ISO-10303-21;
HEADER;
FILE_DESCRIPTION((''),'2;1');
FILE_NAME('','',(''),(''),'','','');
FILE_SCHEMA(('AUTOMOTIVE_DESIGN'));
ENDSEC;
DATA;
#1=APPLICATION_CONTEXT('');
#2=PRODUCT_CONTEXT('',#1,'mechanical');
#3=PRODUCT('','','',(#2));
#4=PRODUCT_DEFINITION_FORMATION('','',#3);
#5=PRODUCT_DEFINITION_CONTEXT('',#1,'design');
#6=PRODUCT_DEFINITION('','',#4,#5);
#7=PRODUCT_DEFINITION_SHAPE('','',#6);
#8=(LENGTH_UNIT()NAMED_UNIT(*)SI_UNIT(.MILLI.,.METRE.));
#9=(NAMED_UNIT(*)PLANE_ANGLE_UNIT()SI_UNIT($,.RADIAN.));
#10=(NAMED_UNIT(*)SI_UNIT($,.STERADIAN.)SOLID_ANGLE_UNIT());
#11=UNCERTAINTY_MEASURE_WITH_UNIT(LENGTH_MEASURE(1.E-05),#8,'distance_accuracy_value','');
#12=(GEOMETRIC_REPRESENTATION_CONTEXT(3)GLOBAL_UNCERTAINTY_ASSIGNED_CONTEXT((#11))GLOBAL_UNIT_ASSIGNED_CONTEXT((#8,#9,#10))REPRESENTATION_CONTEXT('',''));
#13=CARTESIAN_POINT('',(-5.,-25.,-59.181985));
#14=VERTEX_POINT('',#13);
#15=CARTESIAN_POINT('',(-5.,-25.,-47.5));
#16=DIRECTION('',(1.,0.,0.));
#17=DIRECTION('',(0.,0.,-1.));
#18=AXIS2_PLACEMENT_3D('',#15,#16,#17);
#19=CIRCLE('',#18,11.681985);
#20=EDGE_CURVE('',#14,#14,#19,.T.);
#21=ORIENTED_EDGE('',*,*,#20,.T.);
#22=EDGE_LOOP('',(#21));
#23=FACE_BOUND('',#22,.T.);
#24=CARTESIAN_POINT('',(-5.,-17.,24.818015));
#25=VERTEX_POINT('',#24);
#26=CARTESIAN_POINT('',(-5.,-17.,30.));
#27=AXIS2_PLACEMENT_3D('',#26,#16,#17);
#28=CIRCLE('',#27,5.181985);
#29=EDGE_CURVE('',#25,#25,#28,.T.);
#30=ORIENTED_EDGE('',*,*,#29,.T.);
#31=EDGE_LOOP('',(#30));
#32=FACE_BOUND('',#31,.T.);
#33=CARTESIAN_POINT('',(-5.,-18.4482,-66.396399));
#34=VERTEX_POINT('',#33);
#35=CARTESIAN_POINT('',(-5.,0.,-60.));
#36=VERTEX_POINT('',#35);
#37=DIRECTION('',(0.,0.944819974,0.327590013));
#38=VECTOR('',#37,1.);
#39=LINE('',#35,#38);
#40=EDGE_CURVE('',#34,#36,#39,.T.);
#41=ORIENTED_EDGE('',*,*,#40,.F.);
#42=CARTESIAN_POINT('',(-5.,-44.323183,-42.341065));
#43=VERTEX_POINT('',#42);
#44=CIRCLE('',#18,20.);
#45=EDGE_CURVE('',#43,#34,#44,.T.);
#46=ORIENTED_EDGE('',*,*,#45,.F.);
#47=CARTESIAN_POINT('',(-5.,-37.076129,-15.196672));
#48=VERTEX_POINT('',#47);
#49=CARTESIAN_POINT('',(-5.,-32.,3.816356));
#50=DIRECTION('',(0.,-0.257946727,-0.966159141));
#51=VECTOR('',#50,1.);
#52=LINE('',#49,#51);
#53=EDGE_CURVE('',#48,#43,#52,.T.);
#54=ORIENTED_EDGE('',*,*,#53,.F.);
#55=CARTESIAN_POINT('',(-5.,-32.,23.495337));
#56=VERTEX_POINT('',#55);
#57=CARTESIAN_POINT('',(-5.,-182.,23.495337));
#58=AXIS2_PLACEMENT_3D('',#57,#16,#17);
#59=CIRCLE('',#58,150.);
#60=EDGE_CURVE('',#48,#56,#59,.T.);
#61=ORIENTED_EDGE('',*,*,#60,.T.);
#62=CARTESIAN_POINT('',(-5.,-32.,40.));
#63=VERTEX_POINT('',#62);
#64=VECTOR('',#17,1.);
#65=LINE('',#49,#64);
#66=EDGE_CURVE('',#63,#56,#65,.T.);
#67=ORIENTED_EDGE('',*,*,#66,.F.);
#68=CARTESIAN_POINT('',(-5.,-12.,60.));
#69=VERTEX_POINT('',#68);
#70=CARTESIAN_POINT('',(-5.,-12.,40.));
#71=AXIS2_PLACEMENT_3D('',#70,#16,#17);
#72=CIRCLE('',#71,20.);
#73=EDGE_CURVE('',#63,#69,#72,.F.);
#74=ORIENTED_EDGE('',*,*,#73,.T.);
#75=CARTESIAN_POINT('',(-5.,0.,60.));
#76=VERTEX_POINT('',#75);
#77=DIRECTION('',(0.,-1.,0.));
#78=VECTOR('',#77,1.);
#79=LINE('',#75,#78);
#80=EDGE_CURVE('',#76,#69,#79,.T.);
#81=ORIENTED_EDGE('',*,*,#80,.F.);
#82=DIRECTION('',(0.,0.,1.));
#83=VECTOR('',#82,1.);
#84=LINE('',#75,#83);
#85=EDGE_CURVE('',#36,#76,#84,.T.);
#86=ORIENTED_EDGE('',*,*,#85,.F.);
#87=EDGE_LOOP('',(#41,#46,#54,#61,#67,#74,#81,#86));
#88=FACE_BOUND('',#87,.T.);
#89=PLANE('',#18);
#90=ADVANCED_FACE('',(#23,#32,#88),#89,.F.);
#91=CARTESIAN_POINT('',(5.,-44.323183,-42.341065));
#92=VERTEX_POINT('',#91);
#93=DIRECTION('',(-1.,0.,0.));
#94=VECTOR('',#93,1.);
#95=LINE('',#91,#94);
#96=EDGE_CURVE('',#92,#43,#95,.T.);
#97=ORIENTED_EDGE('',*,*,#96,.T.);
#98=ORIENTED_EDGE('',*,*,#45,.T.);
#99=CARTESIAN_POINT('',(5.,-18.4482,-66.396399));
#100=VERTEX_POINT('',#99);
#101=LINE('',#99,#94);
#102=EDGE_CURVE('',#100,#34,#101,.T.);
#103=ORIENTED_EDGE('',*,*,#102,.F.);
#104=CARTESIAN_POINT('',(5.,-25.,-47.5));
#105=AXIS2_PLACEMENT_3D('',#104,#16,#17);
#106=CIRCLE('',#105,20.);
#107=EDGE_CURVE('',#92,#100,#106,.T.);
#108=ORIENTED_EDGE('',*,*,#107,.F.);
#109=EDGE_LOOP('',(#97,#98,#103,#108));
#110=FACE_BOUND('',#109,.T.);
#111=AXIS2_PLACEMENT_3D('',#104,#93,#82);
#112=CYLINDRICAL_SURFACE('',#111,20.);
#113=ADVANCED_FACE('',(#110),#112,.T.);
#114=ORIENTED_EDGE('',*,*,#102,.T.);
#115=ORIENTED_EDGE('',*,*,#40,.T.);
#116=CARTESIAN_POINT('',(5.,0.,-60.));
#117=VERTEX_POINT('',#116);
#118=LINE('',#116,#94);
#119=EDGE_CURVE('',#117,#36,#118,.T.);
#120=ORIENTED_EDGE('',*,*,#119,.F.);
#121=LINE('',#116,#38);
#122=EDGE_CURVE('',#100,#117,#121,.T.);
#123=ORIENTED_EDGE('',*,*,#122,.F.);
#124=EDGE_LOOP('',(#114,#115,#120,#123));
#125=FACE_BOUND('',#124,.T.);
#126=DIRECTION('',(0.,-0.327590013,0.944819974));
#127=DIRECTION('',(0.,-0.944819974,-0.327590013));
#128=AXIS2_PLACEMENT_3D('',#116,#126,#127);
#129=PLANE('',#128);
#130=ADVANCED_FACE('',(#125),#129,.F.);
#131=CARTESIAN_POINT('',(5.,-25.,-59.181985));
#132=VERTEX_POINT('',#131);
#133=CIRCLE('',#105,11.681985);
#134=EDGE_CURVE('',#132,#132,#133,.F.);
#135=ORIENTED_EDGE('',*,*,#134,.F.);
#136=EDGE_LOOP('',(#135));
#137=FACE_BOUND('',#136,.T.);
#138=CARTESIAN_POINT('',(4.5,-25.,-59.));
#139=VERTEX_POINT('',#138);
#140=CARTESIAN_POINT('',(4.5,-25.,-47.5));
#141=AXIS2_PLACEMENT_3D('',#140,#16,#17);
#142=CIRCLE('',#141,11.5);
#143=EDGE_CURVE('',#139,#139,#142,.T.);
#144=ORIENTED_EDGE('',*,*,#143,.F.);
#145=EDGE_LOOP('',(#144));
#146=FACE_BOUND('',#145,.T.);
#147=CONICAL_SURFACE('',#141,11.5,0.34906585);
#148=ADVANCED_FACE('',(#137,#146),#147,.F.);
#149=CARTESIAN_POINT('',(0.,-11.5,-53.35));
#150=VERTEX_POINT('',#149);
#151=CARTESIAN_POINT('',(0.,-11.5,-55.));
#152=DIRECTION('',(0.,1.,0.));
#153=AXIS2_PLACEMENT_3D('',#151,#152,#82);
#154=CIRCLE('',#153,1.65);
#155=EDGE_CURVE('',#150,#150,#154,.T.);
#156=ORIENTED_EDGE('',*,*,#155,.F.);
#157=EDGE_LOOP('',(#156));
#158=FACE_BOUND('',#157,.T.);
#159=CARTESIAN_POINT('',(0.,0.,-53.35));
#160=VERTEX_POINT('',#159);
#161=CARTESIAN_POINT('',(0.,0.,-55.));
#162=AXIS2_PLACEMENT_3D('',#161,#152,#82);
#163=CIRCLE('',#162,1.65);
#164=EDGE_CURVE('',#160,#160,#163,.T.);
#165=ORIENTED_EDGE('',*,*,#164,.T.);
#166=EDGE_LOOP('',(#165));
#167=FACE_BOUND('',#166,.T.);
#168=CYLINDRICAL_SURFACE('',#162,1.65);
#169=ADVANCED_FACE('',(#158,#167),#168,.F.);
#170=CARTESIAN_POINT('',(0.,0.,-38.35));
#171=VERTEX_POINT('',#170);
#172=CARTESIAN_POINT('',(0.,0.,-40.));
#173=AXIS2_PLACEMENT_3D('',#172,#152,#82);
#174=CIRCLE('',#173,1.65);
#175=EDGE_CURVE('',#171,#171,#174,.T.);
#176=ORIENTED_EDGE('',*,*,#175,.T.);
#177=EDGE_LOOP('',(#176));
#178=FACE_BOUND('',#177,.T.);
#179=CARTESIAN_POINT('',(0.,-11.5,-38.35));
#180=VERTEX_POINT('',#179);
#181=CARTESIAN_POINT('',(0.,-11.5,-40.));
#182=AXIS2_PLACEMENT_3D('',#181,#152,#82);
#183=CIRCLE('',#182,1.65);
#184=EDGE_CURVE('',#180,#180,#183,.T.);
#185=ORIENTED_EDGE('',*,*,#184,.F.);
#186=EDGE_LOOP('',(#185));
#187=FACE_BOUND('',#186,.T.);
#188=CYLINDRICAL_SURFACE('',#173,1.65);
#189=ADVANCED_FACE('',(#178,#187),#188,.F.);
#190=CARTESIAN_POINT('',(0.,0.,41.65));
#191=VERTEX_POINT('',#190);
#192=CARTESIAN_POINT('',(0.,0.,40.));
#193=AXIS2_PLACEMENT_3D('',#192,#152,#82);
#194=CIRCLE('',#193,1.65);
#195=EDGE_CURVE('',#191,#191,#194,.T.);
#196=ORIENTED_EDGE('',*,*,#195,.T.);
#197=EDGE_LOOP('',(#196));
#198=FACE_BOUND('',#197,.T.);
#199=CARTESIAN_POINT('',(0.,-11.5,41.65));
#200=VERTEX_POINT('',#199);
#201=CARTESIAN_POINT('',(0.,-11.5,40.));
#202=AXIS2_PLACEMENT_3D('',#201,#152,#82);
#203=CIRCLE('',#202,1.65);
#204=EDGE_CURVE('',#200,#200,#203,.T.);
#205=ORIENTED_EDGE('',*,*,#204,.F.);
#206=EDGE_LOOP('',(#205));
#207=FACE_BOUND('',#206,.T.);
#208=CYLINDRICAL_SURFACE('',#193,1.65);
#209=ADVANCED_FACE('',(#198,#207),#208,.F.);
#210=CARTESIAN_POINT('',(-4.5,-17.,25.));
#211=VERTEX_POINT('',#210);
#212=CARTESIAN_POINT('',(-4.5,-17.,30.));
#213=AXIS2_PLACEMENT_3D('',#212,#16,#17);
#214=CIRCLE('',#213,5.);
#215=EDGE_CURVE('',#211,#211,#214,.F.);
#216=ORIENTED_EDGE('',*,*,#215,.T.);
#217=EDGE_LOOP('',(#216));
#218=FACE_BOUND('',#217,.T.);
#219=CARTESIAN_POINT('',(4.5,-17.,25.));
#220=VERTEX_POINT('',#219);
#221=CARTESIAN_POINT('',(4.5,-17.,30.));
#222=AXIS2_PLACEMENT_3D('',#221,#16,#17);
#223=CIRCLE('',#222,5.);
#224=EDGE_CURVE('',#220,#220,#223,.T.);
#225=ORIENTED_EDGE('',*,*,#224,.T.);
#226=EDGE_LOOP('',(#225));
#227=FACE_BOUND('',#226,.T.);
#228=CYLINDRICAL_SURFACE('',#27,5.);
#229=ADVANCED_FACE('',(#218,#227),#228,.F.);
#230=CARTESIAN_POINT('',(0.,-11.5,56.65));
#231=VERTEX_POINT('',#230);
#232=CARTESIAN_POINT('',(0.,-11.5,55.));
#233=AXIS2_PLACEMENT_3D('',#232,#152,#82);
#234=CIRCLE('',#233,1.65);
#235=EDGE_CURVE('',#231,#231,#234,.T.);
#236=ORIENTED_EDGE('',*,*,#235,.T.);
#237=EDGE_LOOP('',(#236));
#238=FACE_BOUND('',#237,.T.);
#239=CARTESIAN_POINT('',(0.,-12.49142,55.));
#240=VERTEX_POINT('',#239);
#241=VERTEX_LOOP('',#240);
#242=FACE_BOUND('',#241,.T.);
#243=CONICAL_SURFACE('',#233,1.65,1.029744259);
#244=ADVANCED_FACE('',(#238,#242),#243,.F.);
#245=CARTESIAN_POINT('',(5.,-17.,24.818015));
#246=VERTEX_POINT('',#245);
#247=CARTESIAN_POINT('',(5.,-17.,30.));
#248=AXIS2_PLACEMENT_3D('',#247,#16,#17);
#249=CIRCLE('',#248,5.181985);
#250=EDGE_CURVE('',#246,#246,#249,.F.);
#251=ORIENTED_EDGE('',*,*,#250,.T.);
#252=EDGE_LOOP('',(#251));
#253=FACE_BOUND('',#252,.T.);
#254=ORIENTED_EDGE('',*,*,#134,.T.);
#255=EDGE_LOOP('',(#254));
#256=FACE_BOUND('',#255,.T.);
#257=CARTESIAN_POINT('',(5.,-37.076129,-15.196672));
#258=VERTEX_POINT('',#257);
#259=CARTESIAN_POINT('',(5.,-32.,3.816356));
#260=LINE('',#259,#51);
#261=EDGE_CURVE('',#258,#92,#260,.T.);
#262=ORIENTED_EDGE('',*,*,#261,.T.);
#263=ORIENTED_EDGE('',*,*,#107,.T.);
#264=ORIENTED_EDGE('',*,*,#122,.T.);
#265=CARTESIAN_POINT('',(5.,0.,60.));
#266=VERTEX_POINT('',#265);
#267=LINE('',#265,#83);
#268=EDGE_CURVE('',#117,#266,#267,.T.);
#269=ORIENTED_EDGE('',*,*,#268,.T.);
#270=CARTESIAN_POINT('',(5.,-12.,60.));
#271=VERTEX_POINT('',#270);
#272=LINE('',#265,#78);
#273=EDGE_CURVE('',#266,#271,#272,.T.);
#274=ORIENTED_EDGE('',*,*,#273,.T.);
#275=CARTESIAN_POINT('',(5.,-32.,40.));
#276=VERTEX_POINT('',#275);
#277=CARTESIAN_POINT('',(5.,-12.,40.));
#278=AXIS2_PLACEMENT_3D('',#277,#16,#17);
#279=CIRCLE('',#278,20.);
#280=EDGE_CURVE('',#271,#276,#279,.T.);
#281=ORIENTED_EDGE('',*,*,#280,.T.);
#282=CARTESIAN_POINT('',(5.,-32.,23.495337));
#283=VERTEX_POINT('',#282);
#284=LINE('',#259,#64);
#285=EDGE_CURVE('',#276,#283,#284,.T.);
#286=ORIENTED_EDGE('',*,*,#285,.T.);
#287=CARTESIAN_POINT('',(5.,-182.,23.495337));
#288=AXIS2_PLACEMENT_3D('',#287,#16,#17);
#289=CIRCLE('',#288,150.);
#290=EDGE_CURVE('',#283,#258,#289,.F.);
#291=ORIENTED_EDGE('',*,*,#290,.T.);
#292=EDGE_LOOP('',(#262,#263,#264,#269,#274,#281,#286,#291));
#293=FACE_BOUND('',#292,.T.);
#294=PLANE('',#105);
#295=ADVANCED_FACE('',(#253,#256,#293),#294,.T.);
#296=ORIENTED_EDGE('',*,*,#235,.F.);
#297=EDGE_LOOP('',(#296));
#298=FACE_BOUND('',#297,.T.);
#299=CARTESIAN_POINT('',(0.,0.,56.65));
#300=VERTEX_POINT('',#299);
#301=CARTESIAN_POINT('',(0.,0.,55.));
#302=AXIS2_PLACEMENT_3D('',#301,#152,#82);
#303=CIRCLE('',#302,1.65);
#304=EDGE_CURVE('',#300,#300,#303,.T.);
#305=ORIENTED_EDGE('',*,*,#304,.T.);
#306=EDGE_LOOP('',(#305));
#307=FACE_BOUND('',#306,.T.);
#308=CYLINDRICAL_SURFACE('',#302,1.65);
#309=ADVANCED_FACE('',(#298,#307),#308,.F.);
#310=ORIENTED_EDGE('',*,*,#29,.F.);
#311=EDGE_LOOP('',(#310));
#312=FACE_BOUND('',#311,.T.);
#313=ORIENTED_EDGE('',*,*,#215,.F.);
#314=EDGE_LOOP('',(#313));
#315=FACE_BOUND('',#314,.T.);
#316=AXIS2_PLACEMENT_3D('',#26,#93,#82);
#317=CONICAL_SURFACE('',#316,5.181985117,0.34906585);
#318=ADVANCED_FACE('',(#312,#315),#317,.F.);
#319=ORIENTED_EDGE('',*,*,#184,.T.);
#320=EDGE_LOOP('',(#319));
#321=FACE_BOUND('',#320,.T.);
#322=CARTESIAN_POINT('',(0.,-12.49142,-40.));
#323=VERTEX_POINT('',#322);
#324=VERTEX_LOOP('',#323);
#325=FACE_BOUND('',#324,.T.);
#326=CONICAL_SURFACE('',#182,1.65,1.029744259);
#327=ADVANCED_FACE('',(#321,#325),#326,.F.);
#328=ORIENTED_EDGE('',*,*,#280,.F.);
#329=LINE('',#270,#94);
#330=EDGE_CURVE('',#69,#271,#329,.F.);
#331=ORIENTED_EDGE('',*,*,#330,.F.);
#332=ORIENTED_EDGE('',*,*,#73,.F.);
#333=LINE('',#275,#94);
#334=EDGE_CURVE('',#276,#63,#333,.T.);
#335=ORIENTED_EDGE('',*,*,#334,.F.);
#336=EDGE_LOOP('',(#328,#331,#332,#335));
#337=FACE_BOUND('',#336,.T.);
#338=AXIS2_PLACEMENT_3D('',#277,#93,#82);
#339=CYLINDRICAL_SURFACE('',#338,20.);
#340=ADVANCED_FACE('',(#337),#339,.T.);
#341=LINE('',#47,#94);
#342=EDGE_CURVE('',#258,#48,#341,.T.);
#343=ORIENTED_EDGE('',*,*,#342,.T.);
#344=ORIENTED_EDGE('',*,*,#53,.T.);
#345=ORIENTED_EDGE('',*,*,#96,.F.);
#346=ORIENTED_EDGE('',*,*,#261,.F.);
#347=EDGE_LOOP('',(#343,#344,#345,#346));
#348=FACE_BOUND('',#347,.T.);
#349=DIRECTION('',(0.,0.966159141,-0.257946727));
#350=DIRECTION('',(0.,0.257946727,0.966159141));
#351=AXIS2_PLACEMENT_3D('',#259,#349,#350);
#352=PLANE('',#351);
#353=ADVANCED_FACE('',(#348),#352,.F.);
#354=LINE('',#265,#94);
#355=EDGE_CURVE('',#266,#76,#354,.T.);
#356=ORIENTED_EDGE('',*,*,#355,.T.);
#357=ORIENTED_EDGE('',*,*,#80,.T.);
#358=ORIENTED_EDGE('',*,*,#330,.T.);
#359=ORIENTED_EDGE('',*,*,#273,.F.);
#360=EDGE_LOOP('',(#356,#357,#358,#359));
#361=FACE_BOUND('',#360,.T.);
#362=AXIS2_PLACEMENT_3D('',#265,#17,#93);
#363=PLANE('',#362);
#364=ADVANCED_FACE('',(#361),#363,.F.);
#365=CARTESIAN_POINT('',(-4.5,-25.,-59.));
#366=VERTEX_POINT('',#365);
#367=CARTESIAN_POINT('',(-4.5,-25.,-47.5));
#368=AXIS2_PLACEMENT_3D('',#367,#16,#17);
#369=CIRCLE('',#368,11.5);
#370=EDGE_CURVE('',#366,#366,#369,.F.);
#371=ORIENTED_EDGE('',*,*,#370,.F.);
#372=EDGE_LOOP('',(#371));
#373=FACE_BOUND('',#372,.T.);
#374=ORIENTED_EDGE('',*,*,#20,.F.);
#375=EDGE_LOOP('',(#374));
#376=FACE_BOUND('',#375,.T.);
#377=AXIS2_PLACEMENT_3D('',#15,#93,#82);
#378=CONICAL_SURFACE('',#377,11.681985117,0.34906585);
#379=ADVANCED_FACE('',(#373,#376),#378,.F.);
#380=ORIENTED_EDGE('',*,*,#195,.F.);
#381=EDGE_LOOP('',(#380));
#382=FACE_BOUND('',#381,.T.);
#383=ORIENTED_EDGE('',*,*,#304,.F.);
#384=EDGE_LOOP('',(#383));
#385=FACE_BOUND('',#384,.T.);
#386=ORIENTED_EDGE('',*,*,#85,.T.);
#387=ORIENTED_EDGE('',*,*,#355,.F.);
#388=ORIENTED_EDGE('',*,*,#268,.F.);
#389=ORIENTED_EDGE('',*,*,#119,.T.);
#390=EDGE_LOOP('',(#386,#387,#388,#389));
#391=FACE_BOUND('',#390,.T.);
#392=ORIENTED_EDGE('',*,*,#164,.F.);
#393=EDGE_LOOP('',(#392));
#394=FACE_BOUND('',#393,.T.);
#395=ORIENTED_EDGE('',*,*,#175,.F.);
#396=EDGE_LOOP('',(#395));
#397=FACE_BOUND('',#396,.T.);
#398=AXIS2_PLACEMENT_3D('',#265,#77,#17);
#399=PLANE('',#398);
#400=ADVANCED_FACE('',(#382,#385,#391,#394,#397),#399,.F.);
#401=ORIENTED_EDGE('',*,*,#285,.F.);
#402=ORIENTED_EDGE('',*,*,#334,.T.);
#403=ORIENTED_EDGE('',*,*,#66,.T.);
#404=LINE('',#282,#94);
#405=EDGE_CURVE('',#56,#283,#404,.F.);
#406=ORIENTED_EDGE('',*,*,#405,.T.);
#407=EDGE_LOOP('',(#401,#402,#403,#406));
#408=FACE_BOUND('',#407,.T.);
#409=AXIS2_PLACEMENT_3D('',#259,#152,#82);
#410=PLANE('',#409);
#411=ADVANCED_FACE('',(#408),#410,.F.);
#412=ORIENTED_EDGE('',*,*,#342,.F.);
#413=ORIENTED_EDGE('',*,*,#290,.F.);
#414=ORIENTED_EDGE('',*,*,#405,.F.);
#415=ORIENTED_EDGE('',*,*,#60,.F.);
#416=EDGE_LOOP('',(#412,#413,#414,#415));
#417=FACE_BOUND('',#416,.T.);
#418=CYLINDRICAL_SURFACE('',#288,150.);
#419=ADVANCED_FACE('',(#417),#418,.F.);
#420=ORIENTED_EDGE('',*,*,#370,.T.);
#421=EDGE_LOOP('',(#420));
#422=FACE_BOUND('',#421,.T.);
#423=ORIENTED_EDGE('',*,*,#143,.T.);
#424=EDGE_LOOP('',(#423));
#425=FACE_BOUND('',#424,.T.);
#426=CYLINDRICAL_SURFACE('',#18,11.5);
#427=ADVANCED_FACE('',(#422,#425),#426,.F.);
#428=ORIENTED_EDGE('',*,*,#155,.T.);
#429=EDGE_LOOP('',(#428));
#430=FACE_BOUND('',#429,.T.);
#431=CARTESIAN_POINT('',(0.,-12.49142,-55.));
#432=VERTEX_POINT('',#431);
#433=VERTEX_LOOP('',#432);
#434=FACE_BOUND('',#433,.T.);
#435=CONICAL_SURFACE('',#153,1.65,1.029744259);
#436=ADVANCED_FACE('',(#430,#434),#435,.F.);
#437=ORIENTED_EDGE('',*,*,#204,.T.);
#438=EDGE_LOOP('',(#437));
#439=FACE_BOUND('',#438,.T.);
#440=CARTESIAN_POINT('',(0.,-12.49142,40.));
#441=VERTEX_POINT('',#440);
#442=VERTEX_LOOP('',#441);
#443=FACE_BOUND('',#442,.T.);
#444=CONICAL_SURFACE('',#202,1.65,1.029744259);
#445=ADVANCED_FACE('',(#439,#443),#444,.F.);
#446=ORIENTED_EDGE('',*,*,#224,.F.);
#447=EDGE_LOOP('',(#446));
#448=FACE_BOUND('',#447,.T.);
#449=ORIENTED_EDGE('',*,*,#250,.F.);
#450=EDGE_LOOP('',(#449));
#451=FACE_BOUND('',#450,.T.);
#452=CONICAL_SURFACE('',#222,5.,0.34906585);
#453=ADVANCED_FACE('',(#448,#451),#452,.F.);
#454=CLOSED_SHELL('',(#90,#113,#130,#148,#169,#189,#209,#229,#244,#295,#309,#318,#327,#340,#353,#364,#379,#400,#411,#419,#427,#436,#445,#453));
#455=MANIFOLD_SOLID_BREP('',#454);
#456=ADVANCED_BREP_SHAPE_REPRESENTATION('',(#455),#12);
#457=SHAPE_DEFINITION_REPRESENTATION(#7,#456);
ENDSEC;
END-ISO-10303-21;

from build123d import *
from OCP.BRepFilletAPI import BRepFilletAPI_MakeChamfer

# Parameters (mm, degrees)
BOSS_EXTRUDE1_DEPTH   = 5
SKETCH4_R             = 11.5
CUT_EXTRUDE1_DEPTH    = 10
M4_TAPPED_HOLE1_D     = 3.3
M4_TAPPED_HOLE1_DEPTH = 11.5
M4_TAPPED_HOLE1_TIP   = 0.991420021
SKETCH5_R             = 5
CUT_EXTRUDE2_DEPTH    = 10
FILLET1_R             = 150
FILLET2_R             = 20
CHAMFER1_SIZE         = 0.5
CHAMFER1_SIZE2        = 0.181985117


with BuildPart() as part:
    # Sketch1 → Boss-Extrude1 (new, symmetric)
    with BuildSketch(Plane(origin=(0, 0, 0), x_dir=(0, 0, -1), z_dir=(1, 0, 0))):
        with BuildLine():
            Line((-60, 0), (60, 0))
            Line((60, 0), (66.396399481, -18.448199741))
            ThreePointArc((66.396399481, -18.448199741), (62.147804381, -38.6177027), (42.341065464, -44.323182824))
            Line((42.341065464, -44.323182824), (-3.816355809, -32))
            Line((-3.816355809, -32), (-60, -32))
            Line((-60, -32), (-60, 0))
        make_face()
    extrude(amount=BOSS_EXTRUDE1_DEPTH, both=True)

    # Sketch4 → Cut-Extrude1 (cut)
    with BuildSketch(Plane(origin=(5, 0, 0), x_dir=(0, 0, -1), z_dir=(1, 0, 0))):
        with Locations((47.5, -25)):
            Circle(SKETCH4_R)
    extrude(amount=-CUT_EXTRUDE1_DEPTH, mode=Mode.SUBTRACT)

    # M4 Tapped Hole1
    with Locations(Plane(origin=(0, 0, 0), x_dir=(1, 0, 0), z_dir=(0, 1, 0))):
        with Locations((0, -55), (0, -40), (0, 40), (0, 55)):
            Hole(M4_TAPPED_HOLE1_D / 2, depth=M4_TAPPED_HOLE1_DEPTH)
            with Locations((0, 0, -(M4_TAPPED_HOLE1_DEPTH + M4_TAPPED_HOLE1_TIP / 2))):  # 118° drill point
                Cone(0, M4_TAPPED_HOLE1_D / 2, M4_TAPPED_HOLE1_TIP, mode=Mode.SUBTRACT)

    # Sketch5 → Cut-Extrude2 (cut)
    with BuildSketch(Plane(origin=(5, 0, 0), x_dir=(0, 0, -1), z_dir=(1, 0, 0))):
        with Locations((-30, -17)):
            Circle(SKETCH5_R)
    extrude(amount=-CUT_EXTRUDE2_DEPTH, mode=Mode.SUBTRACT)

    # Fillet1
    fillet1_edges = [part.edges().sort_by_distance(p)[0] for p in [
        (0, -32, 3.816355809),
    ]]
    fillet(fillet1_edges, radius=FILLET1_R)

    # Fillet2
    fillet2_edges = [part.edges().sort_by_distance(p)[0] for p in [
        (0, -32, 60),
    ]]
    fillet(fillet2_edges, radius=FILLET2_R)

    # Chamfer1: one chamfer whose edges measure the first distance from different faces: ONE call of the kernel's chamfer builder (chamfer() names one face for all edges)
    chamfer1_edges_1 = [part.edges().sort_by_distance(p)[0] for p in [
        (-5, -25, -36),
        (5, -25, -36),
    ]]
    chamfer1_side_1 = [part.faces().sort_by_distance(p)[0] for p in [
        (0, -25, -36),
    ]]
    chamfer1_edges_2 = [part.edges().sort_by_distance(p)[0] for p in [
        (-5, -17, 35),
        (5, -17, 35),
    ]]
    chamfer1_side_2 = [part.faces().sort_by_distance(p)[0] for p in [
        (0, -17, 35),
    ]]
    chamfer1 = BRepFilletAPI_MakeChamfer(part.part.solid().wrapped)
    for e in chamfer1_edges_1:
        chamfer1.Add(CHAMFER1_SIZE, CHAMFER1_SIZE2, e.wrapped, chamfer1_side_1[0].wrapped)  # the first distance lies on this face
    for e in chamfer1_edges_2:
        chamfer1.Add(CHAMFER1_SIZE, CHAMFER1_SIZE2, e.wrapped, chamfer1_side_2[0].wrapped)  # the first distance lies on this face
    add(Compound.cast(chamfer1.Shape()), mode=Mode.REPLACE)


solid = part.part
